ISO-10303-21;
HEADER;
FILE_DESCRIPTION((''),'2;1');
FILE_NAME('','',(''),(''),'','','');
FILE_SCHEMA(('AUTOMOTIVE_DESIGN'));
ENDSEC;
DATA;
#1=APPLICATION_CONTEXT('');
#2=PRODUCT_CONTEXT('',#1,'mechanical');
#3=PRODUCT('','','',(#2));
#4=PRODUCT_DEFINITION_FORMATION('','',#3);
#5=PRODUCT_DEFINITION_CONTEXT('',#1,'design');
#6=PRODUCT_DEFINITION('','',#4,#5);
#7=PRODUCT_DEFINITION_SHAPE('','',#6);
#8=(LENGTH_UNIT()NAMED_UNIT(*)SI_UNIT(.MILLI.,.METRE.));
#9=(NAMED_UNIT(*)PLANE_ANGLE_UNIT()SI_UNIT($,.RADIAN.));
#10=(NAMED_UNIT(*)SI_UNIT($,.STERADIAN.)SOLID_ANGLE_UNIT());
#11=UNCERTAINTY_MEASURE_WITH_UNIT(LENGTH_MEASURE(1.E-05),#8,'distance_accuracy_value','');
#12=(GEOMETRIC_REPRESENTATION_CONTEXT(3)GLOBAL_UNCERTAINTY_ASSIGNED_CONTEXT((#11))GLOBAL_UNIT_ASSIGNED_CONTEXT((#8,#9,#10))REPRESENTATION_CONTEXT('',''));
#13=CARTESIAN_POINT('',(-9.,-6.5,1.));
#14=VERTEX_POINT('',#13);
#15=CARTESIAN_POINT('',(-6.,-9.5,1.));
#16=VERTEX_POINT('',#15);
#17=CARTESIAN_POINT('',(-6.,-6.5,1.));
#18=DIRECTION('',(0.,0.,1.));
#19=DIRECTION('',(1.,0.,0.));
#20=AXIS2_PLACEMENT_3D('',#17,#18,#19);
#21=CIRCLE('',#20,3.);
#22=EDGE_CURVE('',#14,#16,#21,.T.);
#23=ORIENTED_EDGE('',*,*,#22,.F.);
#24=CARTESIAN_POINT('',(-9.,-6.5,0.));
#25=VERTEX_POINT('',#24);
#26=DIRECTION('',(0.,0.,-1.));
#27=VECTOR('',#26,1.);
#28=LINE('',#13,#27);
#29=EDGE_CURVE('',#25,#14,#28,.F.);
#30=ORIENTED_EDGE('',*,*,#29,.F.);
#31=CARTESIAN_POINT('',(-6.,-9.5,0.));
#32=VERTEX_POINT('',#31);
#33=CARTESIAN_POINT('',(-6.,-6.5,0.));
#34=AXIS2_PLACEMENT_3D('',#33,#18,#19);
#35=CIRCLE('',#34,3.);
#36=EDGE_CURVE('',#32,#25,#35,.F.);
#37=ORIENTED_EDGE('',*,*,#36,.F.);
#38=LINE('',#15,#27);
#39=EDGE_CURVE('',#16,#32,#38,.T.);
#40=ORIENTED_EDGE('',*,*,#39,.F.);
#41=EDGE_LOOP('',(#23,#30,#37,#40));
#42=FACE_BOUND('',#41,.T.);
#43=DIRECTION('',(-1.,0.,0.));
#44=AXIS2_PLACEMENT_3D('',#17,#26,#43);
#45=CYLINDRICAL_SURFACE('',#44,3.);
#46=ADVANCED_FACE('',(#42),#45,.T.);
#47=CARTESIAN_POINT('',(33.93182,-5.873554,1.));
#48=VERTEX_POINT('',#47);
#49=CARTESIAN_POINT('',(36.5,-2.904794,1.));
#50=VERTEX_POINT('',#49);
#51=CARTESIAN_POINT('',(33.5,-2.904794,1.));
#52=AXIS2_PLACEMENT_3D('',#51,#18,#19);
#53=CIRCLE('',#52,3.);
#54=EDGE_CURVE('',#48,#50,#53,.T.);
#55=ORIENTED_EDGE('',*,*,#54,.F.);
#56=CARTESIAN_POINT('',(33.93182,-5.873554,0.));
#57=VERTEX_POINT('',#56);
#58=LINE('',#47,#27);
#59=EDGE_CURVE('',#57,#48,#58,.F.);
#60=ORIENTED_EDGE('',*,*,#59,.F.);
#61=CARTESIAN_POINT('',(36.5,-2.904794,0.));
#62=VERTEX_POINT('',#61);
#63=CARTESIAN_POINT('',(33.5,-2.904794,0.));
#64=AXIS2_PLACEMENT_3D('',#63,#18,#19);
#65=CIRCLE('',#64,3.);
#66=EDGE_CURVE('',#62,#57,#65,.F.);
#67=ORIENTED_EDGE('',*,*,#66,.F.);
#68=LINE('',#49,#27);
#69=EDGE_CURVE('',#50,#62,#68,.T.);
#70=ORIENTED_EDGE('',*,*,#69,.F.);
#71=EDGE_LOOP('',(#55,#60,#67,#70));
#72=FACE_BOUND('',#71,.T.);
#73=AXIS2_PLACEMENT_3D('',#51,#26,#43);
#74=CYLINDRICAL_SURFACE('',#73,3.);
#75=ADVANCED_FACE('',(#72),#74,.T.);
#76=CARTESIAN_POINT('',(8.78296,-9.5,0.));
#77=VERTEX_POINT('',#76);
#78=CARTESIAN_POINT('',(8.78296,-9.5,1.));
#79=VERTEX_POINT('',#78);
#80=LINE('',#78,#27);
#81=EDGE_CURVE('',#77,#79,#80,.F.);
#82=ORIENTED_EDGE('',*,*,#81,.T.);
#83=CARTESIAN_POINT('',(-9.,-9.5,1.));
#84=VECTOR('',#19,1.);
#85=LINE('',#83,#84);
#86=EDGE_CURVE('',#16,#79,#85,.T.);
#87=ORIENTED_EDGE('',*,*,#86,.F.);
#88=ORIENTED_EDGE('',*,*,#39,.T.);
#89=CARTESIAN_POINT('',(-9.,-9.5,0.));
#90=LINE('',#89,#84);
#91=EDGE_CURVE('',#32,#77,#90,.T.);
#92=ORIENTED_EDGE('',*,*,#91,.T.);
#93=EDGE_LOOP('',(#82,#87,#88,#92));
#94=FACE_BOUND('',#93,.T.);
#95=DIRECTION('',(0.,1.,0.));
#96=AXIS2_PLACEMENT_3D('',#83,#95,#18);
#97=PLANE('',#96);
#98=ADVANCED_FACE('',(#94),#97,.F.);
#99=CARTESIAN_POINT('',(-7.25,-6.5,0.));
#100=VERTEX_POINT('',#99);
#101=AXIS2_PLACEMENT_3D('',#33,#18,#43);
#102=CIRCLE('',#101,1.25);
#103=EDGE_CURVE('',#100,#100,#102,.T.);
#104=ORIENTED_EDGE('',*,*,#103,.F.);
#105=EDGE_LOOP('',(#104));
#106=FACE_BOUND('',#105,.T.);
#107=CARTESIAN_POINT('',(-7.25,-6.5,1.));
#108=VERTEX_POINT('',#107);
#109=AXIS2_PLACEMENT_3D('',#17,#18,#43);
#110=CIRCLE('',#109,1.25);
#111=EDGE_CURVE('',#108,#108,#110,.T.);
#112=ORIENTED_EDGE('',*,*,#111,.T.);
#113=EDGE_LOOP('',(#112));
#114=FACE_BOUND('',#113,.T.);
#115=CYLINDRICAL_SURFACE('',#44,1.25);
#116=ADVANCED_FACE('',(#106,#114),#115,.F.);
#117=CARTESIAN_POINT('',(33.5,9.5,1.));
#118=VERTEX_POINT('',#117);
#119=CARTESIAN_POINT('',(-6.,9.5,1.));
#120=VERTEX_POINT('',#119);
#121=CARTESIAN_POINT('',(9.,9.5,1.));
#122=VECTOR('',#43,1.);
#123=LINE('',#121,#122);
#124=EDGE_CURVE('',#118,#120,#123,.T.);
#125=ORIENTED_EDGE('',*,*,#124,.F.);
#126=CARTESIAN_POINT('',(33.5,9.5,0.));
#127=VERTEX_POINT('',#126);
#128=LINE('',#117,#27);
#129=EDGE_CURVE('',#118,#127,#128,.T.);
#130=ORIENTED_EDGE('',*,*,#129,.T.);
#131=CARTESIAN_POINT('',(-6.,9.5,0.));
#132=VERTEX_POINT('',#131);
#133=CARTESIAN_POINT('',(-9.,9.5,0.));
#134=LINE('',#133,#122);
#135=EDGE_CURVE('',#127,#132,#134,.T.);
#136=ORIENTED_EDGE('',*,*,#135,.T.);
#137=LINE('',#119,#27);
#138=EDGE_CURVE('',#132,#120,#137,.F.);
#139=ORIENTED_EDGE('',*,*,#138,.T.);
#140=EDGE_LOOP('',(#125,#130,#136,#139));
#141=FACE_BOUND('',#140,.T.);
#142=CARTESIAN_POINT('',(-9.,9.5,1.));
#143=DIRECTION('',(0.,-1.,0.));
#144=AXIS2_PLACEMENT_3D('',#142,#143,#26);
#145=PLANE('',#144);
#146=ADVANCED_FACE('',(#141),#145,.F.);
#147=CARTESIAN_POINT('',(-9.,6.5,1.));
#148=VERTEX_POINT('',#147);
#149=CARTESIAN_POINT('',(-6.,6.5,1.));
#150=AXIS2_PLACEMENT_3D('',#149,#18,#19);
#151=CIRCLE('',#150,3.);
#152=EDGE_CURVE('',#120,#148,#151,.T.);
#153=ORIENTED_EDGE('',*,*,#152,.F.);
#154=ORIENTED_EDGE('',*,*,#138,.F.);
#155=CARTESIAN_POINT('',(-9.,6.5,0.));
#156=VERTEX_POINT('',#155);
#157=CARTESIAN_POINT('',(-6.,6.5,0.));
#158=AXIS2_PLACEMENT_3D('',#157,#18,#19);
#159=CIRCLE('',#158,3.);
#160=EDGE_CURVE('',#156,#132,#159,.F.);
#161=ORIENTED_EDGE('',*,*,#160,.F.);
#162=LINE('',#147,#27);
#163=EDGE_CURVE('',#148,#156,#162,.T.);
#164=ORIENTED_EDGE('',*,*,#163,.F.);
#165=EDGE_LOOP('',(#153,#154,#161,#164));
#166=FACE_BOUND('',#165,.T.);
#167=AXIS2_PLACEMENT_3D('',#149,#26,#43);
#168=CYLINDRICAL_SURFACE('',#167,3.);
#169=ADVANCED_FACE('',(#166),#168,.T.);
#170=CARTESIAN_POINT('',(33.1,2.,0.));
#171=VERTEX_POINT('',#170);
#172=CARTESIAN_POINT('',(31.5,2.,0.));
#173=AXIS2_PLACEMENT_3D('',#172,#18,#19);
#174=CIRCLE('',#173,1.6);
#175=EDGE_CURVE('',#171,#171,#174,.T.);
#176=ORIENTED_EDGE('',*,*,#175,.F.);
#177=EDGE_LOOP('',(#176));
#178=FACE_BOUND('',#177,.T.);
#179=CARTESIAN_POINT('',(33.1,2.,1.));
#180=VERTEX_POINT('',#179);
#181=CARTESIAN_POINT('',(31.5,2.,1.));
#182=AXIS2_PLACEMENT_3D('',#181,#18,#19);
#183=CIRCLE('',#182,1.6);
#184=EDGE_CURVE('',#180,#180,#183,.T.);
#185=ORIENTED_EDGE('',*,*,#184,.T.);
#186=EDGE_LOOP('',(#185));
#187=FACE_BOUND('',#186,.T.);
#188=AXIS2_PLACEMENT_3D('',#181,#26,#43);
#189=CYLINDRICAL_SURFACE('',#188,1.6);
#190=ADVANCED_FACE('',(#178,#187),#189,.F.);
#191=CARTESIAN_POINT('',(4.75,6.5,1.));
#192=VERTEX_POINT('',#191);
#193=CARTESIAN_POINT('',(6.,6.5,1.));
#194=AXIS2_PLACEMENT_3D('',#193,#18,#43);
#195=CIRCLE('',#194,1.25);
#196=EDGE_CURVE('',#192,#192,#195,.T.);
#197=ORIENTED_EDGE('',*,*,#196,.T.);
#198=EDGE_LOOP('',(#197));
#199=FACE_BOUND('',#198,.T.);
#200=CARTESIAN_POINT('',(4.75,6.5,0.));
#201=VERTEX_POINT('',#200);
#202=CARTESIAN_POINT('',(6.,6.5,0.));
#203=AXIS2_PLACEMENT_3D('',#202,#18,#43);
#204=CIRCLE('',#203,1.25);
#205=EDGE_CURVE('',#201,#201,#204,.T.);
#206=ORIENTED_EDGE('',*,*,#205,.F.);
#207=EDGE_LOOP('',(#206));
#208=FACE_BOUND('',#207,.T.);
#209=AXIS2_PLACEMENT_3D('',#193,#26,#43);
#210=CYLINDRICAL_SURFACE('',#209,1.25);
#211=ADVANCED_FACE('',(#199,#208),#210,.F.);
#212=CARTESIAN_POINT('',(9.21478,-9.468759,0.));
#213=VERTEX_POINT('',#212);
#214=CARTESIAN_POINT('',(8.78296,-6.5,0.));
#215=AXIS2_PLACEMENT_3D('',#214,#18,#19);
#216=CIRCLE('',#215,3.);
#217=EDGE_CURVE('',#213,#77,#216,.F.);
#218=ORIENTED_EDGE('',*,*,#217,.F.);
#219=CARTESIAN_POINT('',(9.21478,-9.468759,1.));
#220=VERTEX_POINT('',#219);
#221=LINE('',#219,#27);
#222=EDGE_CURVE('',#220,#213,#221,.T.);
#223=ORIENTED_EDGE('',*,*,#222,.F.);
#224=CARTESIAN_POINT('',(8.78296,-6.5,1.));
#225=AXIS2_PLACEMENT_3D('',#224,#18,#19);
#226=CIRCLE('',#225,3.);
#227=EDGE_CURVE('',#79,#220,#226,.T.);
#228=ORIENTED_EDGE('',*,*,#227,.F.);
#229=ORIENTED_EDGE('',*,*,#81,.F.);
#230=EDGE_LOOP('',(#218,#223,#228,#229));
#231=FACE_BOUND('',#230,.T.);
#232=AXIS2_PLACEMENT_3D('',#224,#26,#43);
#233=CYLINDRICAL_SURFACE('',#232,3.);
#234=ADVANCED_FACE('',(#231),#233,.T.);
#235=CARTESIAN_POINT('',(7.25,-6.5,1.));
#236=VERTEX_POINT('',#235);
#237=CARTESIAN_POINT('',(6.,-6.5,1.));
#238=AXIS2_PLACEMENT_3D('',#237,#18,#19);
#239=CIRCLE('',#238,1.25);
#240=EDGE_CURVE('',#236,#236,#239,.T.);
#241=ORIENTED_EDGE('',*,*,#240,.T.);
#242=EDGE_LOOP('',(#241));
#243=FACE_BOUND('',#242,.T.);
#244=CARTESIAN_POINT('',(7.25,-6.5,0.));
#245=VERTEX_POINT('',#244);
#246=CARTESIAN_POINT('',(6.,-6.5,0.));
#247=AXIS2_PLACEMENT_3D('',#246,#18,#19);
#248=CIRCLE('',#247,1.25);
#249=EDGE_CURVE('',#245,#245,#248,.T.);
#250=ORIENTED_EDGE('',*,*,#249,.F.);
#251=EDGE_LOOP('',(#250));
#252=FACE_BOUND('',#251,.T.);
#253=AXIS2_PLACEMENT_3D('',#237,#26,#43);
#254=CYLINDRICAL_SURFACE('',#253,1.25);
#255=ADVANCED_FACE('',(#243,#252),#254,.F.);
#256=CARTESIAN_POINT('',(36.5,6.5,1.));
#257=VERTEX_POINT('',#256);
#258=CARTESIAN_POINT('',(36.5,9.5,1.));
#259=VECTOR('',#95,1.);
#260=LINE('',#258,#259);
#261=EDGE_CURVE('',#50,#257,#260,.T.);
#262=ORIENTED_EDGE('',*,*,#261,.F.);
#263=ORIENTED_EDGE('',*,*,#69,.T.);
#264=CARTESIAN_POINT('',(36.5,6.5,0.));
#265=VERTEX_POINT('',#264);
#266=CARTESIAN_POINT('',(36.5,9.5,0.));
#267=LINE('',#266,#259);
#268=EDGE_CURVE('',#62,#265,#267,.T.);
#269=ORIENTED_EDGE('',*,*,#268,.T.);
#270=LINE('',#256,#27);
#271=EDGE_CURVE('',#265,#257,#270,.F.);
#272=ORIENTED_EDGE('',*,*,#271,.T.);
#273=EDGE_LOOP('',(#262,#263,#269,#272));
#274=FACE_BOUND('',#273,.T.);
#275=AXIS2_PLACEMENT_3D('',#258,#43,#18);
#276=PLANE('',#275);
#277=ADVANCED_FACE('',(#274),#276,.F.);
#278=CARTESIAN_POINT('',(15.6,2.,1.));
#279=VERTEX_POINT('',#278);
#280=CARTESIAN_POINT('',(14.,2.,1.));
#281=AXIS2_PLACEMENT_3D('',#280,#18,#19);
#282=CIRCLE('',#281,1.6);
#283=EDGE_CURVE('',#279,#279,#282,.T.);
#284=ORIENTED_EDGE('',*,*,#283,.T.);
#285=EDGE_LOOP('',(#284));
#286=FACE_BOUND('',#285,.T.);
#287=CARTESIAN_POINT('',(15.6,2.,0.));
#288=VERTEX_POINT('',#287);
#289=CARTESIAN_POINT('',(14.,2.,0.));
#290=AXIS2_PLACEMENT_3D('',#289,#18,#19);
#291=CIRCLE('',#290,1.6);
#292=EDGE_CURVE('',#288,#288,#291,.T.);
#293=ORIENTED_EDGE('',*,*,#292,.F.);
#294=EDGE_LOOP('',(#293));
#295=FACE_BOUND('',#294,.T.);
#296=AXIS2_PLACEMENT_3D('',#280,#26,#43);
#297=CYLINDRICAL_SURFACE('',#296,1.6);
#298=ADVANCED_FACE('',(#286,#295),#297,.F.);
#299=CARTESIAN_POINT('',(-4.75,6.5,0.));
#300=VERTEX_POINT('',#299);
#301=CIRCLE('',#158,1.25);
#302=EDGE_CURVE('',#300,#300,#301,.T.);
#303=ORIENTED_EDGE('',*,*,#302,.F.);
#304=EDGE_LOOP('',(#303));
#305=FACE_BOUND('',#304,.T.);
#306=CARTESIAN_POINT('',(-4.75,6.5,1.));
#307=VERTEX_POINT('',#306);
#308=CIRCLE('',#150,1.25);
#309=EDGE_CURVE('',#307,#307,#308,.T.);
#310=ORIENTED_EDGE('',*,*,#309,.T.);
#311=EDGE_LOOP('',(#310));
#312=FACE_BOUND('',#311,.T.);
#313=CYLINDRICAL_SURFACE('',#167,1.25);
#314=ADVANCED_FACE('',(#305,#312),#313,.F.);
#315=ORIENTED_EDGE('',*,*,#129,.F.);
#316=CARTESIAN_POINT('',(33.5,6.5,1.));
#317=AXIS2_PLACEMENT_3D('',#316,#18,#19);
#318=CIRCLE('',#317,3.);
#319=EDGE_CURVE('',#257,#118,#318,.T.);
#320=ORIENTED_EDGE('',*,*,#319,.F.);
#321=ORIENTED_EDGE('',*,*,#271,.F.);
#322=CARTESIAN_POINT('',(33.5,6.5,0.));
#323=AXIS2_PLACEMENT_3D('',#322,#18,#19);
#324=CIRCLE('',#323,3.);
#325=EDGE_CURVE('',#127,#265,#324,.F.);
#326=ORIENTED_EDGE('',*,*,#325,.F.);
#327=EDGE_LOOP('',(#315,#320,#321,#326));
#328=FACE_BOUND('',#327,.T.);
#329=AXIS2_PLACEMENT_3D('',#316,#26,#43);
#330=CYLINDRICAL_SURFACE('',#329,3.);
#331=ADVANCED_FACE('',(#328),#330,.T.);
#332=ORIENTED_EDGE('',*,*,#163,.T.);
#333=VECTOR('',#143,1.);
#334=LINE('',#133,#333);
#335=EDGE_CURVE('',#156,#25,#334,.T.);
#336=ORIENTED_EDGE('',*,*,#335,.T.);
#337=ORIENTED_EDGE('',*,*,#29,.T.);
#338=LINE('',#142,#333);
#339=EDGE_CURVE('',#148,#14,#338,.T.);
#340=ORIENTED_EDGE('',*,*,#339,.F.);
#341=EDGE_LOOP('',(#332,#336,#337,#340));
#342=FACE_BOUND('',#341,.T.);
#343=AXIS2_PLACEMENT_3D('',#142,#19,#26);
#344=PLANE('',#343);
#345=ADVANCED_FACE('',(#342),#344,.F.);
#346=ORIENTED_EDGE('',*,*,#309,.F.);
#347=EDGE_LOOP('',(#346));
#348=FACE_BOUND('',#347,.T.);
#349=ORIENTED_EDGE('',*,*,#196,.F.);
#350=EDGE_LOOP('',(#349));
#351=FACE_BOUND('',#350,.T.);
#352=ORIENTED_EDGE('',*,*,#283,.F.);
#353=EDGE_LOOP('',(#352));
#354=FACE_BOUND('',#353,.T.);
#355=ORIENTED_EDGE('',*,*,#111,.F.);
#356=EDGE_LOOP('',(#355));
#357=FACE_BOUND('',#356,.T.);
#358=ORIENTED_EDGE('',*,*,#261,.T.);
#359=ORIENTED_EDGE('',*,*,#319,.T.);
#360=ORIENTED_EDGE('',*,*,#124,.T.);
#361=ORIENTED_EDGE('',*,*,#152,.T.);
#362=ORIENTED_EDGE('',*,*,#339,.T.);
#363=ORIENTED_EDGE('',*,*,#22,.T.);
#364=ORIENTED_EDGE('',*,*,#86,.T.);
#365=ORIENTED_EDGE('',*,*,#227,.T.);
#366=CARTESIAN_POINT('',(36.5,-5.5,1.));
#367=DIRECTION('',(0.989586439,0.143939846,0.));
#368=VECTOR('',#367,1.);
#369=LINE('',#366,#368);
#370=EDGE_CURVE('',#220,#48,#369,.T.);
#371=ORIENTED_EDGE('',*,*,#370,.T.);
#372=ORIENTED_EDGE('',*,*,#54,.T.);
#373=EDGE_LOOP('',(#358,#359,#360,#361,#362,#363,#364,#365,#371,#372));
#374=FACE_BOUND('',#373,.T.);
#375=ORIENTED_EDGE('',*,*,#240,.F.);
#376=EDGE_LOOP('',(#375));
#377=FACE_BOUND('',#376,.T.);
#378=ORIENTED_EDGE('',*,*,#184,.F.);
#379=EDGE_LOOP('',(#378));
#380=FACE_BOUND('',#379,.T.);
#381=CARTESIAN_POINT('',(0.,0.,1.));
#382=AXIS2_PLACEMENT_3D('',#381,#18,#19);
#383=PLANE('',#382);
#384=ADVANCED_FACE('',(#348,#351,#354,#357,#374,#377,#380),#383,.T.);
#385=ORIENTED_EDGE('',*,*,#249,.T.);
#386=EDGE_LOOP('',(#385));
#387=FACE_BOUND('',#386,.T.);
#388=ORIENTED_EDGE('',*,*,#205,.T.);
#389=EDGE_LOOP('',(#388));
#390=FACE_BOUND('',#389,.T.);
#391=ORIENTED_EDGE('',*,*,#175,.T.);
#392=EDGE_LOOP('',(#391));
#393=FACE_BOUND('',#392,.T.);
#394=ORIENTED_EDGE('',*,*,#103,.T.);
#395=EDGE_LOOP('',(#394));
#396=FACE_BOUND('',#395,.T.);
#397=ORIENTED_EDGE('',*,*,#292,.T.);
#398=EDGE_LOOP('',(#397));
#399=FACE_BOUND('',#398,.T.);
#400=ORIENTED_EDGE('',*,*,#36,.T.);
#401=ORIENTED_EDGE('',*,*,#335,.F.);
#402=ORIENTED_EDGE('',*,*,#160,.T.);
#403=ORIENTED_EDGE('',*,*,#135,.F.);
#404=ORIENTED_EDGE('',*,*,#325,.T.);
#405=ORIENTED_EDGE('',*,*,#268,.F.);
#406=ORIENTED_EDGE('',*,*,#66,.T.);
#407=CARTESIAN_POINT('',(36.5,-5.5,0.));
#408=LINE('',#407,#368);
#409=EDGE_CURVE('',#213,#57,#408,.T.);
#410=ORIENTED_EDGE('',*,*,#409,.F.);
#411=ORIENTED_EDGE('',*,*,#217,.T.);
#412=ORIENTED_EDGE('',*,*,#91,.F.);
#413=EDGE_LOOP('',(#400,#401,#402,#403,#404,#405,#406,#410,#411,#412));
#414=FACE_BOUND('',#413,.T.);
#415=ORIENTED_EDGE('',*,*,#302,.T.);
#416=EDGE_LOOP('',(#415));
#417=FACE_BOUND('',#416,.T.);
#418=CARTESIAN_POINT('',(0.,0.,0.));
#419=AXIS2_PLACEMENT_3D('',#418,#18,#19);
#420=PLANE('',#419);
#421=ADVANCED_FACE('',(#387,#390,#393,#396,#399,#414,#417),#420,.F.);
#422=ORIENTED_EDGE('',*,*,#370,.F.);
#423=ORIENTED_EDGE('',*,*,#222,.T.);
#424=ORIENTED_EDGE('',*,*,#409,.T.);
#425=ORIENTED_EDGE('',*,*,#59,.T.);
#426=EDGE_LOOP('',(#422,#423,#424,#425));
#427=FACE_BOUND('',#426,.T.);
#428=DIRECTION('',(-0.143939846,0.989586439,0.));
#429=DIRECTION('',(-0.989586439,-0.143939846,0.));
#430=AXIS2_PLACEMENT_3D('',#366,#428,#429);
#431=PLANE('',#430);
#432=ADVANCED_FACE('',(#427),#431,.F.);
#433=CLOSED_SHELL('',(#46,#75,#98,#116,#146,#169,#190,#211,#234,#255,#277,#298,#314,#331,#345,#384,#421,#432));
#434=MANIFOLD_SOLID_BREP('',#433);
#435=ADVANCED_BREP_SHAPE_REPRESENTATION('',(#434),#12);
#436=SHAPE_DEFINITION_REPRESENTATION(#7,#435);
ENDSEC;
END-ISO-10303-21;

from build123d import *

# Parameters (mm, degrees)
ESBO_O1_R                = 1.25
ESBO_O1_R_2              = 1.6
RESSALTO_EXTRUS_O1_DEPTH = 1
FILETE1_R                = 3


with BuildPart() as part:
    # Esboço1 → Ressalto-extrusão1 (new body)
    with BuildSketch(Plane.XY):
        Polygon((-9, 9.5), (9, 9.5), (36.5, 9.5), (36.5, -5.5), (9, -9.5), (-9, -9.5), align=None)
        with Locations((6, -6.5)):
            Circle(ESBO_O1_R, mode=Mode.SUBTRACT)
        with Locations((6, 6.5)):
            Circle(ESBO_O1_R, mode=Mode.SUBTRACT)
        with Locations((-6, -6.5)):
            Circle(ESBO_O1_R, mode=Mode.SUBTRACT)
        with Locations((-6, 6.5)):
            Circle(ESBO_O1_R, mode=Mode.SUBTRACT)
        with Locations((31.5, 2)):
            Circle(ESBO_O1_R_2, mode=Mode.SUBTRACT)
        with Locations((14, 2)):
            Circle(ESBO_O1_R_2, mode=Mode.SUBTRACT)
    extrude(amount=RESSALTO_EXTRUS_O1_DEPTH)

    # Filete1
    filete1_edges = [part.edges().sort_by_distance(p)[0] for p in [
        (9, -9.5, 0.5),
        (-9, -9.5, 0.5),
        (-9, 9.5, 0.5),
        (36.5, 9.5, 0.5),
        (36.5, -5.5, 0.5),
    ]]
    fillet(filete1_edges, radius=FILETE1_R)


solid = part.part
